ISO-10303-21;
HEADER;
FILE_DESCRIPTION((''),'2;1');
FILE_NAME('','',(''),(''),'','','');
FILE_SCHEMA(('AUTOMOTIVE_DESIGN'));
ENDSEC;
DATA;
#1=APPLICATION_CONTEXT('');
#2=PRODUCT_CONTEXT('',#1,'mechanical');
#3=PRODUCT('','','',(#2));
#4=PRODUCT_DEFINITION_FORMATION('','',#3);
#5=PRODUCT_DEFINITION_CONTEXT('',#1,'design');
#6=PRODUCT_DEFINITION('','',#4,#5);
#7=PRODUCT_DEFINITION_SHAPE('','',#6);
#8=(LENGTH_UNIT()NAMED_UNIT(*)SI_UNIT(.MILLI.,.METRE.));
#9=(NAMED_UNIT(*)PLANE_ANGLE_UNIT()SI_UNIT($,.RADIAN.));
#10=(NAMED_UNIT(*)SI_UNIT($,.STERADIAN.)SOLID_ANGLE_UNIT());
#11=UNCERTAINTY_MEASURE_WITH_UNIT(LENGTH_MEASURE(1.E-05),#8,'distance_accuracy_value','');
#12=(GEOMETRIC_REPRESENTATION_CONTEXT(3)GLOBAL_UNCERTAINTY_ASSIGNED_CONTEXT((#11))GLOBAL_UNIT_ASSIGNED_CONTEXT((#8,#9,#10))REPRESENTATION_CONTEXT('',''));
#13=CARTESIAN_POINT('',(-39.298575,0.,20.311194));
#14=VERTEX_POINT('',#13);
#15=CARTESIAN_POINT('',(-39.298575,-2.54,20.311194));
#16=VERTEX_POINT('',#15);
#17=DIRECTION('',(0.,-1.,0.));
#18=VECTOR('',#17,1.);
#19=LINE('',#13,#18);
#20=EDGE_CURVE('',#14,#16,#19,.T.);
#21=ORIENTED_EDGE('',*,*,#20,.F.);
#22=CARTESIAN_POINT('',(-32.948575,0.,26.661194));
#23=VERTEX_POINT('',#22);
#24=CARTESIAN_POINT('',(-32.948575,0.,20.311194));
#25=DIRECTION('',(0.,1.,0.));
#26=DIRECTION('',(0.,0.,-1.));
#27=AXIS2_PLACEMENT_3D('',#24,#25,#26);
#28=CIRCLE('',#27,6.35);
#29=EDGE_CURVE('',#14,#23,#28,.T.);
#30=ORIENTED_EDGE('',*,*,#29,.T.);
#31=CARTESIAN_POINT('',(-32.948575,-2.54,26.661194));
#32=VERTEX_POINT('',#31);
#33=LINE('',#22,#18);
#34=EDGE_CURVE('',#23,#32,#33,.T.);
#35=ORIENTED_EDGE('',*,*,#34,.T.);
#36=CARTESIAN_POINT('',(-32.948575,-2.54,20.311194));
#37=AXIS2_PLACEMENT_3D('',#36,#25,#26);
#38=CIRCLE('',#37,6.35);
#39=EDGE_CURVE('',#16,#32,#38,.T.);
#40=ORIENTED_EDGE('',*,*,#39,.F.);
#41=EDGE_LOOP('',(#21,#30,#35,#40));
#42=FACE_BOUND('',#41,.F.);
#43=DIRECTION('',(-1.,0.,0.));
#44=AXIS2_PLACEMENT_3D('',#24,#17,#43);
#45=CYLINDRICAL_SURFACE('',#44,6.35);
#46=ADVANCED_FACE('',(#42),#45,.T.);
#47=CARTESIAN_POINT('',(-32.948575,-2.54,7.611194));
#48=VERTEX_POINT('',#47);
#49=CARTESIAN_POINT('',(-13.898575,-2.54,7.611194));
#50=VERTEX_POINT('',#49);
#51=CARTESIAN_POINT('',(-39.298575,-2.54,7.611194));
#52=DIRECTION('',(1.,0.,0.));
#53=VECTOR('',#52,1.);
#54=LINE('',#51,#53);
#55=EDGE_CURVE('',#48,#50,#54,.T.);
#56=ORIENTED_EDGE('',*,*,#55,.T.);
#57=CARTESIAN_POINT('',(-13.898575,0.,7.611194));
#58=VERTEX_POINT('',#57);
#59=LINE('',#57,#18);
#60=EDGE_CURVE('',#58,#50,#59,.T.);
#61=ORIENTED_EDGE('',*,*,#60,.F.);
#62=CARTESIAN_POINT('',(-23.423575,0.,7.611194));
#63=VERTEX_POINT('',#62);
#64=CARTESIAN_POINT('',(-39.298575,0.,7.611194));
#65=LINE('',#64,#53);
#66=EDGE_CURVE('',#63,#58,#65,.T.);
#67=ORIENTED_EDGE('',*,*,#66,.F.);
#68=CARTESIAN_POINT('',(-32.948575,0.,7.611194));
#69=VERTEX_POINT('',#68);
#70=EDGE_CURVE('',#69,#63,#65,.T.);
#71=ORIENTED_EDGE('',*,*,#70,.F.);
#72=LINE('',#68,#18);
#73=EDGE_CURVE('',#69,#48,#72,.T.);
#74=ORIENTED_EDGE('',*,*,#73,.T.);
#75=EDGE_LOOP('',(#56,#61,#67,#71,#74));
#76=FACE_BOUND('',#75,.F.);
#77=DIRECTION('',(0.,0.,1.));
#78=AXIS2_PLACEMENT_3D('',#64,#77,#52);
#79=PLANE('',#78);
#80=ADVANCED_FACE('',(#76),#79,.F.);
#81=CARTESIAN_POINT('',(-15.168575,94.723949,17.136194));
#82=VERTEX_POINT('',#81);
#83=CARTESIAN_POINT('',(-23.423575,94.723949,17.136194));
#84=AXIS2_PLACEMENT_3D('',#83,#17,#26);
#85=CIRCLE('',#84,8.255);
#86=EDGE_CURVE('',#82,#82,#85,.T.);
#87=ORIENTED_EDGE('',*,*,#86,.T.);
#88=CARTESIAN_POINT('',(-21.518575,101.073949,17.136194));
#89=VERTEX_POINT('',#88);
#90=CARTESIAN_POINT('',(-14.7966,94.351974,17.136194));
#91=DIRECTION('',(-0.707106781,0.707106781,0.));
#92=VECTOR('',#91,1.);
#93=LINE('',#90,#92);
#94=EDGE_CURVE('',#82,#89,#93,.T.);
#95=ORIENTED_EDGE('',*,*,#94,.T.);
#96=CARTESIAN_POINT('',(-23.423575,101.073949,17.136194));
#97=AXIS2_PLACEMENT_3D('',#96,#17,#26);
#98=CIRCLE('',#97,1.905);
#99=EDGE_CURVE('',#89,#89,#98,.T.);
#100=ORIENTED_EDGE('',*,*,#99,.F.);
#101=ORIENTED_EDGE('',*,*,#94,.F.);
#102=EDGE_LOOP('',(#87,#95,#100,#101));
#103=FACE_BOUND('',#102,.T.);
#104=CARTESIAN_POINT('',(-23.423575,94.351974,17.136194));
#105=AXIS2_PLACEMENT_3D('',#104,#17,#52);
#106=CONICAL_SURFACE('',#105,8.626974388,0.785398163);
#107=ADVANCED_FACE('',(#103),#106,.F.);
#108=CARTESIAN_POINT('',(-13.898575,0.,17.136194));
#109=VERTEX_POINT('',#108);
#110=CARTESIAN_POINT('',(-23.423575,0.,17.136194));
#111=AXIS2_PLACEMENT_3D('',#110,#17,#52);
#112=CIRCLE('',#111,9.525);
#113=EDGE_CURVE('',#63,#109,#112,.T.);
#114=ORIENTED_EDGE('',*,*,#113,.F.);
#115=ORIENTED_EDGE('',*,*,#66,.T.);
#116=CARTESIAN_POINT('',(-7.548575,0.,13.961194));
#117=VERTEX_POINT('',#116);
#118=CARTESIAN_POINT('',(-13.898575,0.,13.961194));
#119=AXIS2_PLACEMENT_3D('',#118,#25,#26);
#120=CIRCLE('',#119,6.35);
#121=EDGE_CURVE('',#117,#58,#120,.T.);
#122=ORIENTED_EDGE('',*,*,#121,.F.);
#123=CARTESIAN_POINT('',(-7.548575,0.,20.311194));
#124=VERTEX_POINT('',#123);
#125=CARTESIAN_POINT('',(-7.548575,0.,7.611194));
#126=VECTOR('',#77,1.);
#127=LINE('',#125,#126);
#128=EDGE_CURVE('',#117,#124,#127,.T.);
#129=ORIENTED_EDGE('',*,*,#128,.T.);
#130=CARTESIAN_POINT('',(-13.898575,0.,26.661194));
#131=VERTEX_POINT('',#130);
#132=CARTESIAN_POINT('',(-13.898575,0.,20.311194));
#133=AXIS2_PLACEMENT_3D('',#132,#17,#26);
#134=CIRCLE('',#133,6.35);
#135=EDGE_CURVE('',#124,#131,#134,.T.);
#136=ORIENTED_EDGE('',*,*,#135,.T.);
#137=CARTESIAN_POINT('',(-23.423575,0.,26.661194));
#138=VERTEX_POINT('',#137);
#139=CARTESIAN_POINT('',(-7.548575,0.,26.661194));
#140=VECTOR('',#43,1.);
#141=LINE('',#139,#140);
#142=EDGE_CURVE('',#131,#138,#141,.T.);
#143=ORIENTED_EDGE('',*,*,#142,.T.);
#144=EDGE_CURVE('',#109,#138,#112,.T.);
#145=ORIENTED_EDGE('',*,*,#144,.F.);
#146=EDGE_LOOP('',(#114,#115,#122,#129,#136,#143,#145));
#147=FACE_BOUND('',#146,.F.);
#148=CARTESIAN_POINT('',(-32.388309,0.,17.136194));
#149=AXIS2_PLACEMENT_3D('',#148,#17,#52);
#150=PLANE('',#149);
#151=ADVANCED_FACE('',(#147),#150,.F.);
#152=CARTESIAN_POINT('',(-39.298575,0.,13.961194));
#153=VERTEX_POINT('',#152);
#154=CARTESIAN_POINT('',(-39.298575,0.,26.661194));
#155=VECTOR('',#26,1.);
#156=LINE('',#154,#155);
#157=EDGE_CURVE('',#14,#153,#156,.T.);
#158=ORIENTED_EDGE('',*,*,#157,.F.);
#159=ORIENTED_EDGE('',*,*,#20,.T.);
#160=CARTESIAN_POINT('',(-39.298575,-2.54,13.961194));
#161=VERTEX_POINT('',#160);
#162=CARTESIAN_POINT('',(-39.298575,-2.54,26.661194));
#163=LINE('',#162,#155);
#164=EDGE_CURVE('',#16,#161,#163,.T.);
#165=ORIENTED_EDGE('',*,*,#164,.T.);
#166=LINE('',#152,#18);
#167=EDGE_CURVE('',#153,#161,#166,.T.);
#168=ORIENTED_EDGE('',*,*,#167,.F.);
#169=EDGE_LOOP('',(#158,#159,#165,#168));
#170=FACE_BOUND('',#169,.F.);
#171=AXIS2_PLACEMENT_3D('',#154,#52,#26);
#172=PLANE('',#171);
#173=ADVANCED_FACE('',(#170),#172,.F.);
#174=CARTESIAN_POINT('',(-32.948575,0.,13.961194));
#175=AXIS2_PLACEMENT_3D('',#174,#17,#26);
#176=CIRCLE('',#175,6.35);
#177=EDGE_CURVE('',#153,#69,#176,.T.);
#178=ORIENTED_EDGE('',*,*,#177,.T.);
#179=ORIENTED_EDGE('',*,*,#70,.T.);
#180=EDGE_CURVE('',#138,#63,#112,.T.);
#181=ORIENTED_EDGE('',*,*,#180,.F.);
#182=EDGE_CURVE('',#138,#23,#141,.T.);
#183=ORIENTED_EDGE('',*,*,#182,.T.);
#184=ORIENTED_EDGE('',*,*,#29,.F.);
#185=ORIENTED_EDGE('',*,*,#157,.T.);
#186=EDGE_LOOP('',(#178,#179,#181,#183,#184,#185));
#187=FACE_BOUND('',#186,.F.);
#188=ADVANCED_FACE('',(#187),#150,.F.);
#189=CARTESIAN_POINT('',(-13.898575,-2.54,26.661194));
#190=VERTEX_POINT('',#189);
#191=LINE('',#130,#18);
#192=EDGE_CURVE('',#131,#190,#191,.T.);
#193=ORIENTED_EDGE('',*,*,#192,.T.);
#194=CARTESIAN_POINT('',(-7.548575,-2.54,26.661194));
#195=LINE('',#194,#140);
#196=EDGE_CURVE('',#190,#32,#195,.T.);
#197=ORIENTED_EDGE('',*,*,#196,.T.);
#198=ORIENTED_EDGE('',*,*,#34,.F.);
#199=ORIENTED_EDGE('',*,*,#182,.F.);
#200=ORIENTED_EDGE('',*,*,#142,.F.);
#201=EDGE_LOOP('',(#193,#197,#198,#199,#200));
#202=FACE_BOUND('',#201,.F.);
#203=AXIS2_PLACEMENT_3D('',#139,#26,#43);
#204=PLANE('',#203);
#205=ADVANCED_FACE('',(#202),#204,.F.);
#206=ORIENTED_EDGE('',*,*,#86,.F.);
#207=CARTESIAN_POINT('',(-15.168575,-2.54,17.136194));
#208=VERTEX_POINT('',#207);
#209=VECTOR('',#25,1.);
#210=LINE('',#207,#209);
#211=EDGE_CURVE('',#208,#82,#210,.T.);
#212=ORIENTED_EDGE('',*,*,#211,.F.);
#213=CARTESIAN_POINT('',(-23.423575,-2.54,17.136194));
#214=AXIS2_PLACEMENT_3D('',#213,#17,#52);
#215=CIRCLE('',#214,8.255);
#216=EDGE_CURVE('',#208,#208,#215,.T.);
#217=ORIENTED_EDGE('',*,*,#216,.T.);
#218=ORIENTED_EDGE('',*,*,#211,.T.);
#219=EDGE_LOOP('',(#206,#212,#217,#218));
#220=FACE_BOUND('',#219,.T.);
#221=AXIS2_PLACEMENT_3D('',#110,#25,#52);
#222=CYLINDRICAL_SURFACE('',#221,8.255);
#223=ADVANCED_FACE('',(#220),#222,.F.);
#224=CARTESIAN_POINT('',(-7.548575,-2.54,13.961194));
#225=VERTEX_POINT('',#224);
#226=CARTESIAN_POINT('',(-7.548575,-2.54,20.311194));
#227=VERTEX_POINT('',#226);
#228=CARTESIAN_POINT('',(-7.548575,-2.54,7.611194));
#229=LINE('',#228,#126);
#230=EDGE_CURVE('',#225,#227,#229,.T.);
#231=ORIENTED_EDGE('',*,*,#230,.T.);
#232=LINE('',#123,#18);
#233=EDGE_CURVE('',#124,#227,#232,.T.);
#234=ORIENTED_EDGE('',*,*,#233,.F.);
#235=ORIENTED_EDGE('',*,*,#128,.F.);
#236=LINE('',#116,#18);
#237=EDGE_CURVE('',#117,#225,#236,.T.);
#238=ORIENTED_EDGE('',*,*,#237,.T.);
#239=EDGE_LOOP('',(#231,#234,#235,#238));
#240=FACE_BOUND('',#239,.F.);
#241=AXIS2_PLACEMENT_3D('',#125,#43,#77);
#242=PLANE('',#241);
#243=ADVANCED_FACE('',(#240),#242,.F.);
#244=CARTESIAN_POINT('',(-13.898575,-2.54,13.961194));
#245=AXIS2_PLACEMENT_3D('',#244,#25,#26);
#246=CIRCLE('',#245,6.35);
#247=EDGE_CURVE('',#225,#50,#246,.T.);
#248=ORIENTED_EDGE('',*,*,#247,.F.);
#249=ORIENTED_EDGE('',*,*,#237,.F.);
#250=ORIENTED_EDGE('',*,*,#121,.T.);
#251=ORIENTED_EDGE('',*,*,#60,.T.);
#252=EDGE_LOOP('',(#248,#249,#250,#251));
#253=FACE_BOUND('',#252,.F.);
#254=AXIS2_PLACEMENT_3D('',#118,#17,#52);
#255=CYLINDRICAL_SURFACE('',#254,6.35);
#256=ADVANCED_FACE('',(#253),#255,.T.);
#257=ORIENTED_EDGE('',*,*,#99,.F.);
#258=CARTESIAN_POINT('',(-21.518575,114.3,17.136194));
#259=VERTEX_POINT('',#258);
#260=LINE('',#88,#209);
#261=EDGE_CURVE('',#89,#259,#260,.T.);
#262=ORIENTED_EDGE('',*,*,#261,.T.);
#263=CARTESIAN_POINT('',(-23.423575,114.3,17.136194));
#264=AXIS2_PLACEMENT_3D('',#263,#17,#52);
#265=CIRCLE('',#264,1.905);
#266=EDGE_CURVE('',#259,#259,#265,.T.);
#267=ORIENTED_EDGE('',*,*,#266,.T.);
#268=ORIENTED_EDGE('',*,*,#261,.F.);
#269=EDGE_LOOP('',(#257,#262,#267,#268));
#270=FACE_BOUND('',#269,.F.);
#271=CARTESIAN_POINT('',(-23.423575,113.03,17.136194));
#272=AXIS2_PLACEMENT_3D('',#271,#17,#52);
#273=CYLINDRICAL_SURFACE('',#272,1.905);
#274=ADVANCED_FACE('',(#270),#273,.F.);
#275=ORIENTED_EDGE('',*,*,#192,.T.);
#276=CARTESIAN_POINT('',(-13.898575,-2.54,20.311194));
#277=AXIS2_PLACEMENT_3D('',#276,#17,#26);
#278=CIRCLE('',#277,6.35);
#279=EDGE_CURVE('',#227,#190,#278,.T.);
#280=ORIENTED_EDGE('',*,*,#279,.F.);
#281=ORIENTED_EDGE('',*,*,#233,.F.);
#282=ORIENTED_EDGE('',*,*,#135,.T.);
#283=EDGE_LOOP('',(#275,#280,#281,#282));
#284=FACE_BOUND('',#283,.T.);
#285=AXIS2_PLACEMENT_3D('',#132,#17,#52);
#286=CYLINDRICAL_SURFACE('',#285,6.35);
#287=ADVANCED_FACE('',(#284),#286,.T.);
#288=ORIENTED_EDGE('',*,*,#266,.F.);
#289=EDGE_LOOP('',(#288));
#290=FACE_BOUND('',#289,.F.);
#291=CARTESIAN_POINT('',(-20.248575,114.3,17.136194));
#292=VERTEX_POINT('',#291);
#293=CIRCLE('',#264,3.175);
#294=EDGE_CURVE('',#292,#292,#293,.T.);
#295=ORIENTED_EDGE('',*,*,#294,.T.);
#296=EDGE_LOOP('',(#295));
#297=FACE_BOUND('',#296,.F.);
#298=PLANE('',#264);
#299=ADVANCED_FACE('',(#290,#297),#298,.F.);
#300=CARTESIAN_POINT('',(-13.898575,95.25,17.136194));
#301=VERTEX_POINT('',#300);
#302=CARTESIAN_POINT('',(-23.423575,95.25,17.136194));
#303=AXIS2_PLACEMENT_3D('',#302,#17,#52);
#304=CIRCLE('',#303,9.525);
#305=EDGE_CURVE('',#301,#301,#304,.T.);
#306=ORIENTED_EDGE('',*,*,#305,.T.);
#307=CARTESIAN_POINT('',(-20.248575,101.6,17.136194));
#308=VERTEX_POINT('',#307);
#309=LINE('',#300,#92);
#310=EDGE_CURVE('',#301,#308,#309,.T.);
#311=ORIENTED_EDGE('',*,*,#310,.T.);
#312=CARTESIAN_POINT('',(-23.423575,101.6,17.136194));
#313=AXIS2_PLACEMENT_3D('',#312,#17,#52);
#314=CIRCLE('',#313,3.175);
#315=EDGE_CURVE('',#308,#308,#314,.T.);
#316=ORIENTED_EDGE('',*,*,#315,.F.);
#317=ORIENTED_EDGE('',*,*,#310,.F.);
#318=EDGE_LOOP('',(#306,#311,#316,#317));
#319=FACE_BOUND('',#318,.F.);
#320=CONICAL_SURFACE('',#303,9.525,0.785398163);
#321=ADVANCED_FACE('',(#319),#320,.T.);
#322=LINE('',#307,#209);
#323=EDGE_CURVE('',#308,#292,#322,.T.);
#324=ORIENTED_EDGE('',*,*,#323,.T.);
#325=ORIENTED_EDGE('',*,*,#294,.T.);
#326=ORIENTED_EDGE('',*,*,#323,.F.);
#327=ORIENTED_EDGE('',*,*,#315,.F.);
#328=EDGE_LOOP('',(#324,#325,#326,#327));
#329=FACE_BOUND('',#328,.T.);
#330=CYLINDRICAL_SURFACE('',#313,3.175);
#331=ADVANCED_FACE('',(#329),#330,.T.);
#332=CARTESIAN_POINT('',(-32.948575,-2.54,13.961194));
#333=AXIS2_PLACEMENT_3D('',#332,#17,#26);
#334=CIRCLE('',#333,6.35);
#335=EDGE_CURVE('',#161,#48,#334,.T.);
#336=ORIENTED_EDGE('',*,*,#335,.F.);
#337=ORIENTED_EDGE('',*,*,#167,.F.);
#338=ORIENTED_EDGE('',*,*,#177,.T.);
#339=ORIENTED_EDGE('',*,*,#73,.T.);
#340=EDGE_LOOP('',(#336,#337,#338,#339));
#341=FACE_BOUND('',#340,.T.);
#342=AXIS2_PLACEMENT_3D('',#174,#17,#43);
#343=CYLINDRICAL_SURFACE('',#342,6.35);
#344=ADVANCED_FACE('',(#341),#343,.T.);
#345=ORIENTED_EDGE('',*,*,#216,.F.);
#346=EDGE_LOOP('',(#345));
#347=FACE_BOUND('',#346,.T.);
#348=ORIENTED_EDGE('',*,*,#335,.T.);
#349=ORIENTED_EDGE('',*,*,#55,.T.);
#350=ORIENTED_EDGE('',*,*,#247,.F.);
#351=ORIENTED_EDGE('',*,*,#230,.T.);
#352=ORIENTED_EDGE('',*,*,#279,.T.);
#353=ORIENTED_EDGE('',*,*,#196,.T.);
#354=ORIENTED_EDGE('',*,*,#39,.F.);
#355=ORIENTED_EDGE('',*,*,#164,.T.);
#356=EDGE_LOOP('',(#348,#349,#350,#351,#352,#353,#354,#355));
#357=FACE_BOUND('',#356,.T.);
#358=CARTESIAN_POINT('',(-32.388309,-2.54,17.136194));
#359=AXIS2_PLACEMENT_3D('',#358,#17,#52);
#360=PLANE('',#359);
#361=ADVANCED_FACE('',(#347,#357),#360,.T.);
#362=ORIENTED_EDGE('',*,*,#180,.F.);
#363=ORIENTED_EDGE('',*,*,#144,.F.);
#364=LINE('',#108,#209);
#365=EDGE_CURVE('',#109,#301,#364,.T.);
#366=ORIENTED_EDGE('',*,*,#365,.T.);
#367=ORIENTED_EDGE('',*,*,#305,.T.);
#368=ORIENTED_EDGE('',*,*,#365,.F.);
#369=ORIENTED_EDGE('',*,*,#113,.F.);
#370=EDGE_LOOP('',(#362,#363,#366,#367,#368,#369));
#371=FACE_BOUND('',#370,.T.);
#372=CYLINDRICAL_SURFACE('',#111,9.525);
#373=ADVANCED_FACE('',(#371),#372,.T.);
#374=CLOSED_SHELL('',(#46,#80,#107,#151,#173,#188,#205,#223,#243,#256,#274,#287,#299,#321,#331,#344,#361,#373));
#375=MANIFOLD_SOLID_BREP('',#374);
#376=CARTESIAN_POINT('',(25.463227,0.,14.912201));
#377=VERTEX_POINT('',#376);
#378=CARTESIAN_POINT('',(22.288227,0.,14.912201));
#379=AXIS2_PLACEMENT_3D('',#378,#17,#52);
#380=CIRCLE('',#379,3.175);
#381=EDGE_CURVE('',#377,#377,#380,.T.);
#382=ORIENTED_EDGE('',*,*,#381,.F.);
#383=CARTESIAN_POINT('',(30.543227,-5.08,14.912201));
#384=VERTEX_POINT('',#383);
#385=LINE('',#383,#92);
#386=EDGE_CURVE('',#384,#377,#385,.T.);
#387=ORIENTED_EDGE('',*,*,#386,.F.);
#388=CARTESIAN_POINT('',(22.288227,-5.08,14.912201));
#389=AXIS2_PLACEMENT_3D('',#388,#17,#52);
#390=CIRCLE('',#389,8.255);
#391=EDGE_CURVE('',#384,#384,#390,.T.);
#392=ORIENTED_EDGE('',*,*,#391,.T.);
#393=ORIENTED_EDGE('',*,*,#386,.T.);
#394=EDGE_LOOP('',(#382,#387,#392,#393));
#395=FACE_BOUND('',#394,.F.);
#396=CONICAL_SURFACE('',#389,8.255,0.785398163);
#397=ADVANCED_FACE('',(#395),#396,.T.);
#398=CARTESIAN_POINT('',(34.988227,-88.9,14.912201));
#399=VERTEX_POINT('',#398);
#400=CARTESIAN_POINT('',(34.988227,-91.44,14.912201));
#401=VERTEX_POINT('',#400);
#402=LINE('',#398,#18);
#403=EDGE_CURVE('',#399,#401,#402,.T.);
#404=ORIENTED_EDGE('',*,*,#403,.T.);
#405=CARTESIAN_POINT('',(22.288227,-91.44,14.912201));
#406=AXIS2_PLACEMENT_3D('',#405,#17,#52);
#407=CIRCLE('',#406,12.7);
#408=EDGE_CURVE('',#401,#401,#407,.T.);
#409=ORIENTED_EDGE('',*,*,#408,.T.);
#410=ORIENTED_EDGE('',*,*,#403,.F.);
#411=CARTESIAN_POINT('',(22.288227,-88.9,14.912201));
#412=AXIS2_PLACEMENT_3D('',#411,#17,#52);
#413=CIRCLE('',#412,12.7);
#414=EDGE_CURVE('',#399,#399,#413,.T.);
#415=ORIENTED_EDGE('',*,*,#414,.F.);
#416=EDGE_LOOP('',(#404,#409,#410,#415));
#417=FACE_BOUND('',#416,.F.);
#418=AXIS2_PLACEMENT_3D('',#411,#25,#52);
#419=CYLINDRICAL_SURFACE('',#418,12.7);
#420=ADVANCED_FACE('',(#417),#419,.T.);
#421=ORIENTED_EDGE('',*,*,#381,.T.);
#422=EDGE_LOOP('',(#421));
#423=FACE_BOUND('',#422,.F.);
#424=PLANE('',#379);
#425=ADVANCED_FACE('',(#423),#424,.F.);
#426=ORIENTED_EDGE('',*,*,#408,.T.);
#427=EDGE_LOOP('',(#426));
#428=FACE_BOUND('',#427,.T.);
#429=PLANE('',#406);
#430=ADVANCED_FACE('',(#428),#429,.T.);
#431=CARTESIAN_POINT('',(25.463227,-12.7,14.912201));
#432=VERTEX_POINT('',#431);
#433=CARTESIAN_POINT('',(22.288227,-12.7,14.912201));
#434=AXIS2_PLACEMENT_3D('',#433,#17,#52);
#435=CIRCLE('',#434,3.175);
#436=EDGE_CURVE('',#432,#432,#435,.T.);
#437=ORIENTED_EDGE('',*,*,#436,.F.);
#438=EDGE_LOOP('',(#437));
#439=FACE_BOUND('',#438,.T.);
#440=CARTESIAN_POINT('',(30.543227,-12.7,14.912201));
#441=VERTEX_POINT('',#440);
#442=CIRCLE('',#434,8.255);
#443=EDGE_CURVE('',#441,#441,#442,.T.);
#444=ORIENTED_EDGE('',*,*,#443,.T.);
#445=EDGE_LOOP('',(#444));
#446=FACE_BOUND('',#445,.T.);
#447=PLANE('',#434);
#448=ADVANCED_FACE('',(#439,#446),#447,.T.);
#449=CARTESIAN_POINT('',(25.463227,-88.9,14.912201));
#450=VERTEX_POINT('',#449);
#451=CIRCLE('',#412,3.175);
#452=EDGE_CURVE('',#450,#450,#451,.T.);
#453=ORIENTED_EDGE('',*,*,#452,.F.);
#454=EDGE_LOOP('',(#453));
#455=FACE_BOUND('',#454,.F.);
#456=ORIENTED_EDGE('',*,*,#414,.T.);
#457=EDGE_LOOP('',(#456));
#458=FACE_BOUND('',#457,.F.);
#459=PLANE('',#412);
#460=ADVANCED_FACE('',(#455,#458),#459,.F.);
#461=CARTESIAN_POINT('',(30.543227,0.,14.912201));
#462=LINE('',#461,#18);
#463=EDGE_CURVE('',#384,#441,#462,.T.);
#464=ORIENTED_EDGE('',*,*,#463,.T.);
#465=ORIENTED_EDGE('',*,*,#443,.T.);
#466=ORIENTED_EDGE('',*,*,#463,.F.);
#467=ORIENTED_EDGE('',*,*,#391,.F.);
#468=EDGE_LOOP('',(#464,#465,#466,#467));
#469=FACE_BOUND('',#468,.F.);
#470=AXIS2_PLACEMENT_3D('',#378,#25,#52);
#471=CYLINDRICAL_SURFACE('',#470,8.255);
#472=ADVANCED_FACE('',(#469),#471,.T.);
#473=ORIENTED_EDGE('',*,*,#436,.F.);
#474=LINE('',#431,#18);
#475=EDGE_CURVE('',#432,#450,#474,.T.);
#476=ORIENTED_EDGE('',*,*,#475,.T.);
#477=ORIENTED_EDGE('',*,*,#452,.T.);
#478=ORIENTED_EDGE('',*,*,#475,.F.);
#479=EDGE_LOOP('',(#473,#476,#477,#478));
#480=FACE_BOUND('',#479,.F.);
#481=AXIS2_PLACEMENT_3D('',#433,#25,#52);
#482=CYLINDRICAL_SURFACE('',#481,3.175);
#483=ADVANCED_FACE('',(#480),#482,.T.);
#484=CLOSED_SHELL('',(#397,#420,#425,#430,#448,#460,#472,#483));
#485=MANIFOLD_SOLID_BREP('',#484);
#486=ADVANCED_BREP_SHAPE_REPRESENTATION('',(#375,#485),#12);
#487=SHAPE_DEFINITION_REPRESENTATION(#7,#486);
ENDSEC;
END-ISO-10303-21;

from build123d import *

# Parameters (mm, degrees)
F0_R      = 9.525
F1_DEPTH  = 101.6
F2_SIZE   = 6.35
F3_DEPTH  = 12.7
F4_T      = -1.27
F5_DEPTH  = 25.4
F6_R      = 8.255
F7_DEPTH  = 2.54
F8_R      = 6.35
F9_R      = 8.255
F10_DEPTH = 12.7
F11_R     = 3.175
F12_DEPTH = 76.2
F13_R     = 12.7
F13_R_2   = 3.175
F14_DEPTH = 2.54
F15_SIZE  = 5.08


with BuildPart() as f1:
    # F0 (on Front) → F1 (new body)
    with BuildSketch(Plane.XZ):
        with Locations((-23.4235748649, 17.1361938119)):
            Circle(F0_R)
    extrude(amount=-F1_DEPTH)

    # F2
    f2_edges = [f1.edges().sort_by_distance(p)[0] for p in [
        (-32.948575, 101.6, 17.136194),
    ]]
    chamfer(f2_edges, length=F2_SIZE)

    # F3 (add): a face of the model
    f3_faces = [f1.faces().sort_by_distance(p)[0] for p in [
        (-23.4235748649, 101.6, 17.1361938119),
    ]]
    extrude(f3_faces, amount=F3_DEPTH)

    # F4
    f4_openings = [f1.faces().sort_by_distance(p)[0] for p in [
        (-23.423575, 0, 17.136194),
    ]]
    offset(amount=F4_T, openings=f4_openings, kind=Kind.INTERSECTION)

    # F5 (cut): a face of the model
    f5_faces = [f1.faces().sort_by_distance(p)[0] for p in [
        (-23.4235748649, 113.03, 17.1361938119),
    ]]
    extrude(f5_faces, amount=-F5_DEPTH, mode=Mode.SUBTRACT)

    # F6 (on face) → F7 (join)
    with BuildSketch(Plane.XZ):
        with BuildLine():
            Line((-23.4235748649, 26.6611938119), (-39.2985748649, 26.6611938119))
            Line((-39.2985748649, 26.6611938119), (-39.2985748649, 7.6111938119))
            Line((-39.2985748649, 7.6111938119), (-23.4235748649, 7.6111938119))
            ThreePointArc((-23.4235748649, 7.6111938119), (-32.9485748649, 17.1361938119), (-23.4235748649, 26.6611938119))
        make_face()
        with BuildLine():
            Line((-7.5485748649, 26.6611938119), (-23.4235748649, 26.6611938119))
            ThreePointArc((-23.4235748649, 26.6611938119), (-16.6883827741, 23.8713859027), (-13.8985748649, 17.1361938119))
            ThreePointArc((-13.8985748649, 17.1361938119), (-16.6883827741, 10.4010017211), (-23.4235748649, 7.6111938119))
            Line((-23.4235748649, 7.6111938119), (-7.5485748649, 7.6111938119))
            Line((-7.5485748649, 7.6111938119), (-7.5485748649, 26.6611938119))
        make_face()
        with BuildLine():
            ThreePointArc((-13.8985748649, 17.1361938119), (-16.6883827741, 23.8713859027), (-23.4235748649, 26.6611938119))
            ThreePointArc((-23.4235748649, 26.6611938119), (-32.9485748649, 17.1361938119), (-23.4235748649, 7.6111938119))
            ThreePointArc((-23.4235748649, 7.6111938119), (-16.6883827741, 10.4010017211), (-13.8985748649, 17.1361938119))
        make_face()
        with Locations((-23.4235748649, 17.1361938119)):
            Circle(F6_R, mode=Mode.SUBTRACT)
    extrude(amount=F7_DEPTH)

    # F8
    f8_edges = [f1.edges().sort_by_distance(p)[0] for p in [
        (-39.298575, -1.27, 26.661194),
        (-39.298575, -1.27, 7.611194),
        (-7.548575, -1.27, 26.661194),
        (-7.548575, -1.27, 7.611194),
    ]]
    fillet(f8_edges, radius=F8_R)


with BuildPart() as f10:
    # F9 (on Front) → F10 (new body)
    with BuildSketch(Plane.XZ):
        with Locations((22.2882274538, 14.9122010916)):
            Circle(F9_R)
    extrude(amount=F10_DEPTH)

    # F11 (on face) → F12 (join)
    with BuildSketch(Plane.XZ.offset(12.7)):
        with Locations((22.2882274538, 14.9122010916)):
            Circle(F11_R)
    extrude(amount=F12_DEPTH)

    # F13 (on face) → F14 (join)
    with BuildSketch(Plane.XZ.offset(88.9)):
        with Locations((22.2882274538, 14.9122010916)):
            Circle(F13_R)
        with Locations((22.2882274538, 14.9122010916)):
            Circle(F13_R_2, mode=Mode.SUBTRACT)
        with Locations((22.2882274538, 14.9122010916)):
            Circle(F13_R_2)
    extrude(amount=F14_DEPTH)

    # F15
    f15_edges = [f10.edges().sort_by_distance(p)[0] for p in [
        (14.033227, 0, 14.912201),
    ]]
    chamfer(f15_edges, length=F15_SIZE)


solid = Compound([f1.part, f10.part])
